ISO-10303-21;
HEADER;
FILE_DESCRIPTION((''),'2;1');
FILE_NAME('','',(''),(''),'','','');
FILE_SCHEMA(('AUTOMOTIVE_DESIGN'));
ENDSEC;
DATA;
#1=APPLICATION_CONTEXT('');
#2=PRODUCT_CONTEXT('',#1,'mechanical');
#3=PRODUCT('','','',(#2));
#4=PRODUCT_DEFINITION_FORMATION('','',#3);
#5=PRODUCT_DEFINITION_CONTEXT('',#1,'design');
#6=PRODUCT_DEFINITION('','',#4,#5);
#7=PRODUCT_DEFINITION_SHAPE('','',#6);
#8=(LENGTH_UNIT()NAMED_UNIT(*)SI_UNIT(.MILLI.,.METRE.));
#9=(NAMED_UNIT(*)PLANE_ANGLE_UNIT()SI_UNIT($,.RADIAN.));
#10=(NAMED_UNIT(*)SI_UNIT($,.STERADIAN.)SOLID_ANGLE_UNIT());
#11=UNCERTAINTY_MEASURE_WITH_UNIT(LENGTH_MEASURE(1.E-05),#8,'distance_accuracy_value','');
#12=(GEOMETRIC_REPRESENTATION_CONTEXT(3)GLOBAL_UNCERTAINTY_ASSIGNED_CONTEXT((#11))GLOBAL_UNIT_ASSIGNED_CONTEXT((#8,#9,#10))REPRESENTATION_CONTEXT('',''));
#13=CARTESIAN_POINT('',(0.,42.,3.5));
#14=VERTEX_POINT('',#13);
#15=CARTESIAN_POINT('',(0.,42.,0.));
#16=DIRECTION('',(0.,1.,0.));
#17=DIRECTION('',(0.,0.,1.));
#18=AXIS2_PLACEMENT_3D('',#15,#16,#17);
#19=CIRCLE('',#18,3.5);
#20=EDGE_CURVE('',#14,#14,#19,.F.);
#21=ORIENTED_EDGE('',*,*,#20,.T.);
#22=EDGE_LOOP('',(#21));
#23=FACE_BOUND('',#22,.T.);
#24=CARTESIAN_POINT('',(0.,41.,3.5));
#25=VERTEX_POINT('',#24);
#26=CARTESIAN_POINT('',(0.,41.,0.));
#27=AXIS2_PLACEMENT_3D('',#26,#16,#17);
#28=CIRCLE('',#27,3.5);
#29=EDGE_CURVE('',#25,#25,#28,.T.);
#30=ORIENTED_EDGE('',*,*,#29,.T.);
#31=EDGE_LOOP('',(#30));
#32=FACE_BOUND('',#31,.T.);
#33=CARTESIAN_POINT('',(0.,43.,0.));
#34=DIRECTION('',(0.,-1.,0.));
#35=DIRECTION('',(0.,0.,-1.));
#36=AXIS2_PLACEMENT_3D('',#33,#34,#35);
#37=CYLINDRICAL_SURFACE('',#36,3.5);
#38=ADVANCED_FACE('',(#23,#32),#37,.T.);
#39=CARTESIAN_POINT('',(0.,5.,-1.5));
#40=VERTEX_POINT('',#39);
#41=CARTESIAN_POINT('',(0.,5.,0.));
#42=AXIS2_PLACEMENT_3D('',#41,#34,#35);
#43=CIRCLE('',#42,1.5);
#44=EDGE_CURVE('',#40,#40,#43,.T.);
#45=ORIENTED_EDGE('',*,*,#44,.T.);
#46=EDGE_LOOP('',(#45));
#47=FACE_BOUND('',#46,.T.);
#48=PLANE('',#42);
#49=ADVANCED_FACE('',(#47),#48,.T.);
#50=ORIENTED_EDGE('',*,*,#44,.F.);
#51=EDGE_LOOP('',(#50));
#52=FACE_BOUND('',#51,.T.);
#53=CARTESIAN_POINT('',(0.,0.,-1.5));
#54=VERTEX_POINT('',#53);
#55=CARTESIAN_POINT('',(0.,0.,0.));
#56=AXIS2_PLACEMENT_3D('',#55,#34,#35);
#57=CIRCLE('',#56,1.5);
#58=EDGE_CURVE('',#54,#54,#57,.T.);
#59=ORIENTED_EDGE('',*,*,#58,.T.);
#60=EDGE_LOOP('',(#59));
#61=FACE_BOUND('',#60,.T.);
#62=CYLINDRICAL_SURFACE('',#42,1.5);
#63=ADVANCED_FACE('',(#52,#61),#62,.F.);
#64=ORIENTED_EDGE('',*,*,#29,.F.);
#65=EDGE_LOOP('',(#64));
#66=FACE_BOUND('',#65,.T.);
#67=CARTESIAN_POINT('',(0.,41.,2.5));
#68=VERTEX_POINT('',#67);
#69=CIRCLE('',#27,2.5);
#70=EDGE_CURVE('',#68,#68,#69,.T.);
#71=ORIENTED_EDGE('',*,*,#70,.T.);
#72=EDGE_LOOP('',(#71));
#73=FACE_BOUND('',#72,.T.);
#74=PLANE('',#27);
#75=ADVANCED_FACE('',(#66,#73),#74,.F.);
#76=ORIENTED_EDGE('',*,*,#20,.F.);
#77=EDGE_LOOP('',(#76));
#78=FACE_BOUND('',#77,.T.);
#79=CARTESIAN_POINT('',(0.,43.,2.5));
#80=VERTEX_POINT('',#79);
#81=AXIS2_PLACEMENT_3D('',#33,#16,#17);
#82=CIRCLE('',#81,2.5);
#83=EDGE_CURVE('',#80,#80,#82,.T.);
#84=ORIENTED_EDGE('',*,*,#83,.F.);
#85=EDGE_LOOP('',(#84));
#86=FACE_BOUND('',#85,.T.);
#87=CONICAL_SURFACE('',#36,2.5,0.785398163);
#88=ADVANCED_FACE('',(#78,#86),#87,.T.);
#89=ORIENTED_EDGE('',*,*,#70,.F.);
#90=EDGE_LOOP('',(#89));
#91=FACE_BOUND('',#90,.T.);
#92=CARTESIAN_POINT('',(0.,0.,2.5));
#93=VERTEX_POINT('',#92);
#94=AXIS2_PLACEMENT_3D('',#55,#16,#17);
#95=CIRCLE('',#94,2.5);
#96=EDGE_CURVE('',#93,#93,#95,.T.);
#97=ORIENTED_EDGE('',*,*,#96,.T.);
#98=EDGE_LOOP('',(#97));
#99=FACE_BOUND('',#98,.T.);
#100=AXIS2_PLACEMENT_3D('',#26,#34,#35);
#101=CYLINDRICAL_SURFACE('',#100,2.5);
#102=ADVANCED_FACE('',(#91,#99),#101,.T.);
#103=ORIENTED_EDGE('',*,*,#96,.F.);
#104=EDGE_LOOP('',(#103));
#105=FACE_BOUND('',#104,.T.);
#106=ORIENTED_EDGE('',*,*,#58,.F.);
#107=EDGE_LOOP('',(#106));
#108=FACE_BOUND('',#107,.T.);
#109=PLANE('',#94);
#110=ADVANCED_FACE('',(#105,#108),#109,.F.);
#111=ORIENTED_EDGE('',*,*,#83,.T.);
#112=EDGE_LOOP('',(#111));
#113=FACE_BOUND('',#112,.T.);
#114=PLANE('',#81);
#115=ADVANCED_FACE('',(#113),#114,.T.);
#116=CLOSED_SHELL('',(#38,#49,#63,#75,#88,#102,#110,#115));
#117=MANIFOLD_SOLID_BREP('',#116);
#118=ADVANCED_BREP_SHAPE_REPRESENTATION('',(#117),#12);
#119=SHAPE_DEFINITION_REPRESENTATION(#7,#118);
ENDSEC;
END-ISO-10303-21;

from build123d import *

# Parameters (mm, degrees)
SKETCH1_R           = 2.5
BOSS_EXTRUDE1_DEPTH = 41
SKETCH2_R           = 3.5
BOSS_EXTRUDE2_DEPTH = 2
CHAMFER1_SIZE       = 1
SKETCH3_R           = 1.5
CUT_EXTRUDE1_DEPTH  = 5


with BuildPart() as part:
    # Sketch1 → Boss-Extrude1 (new body)
    with BuildSketch(Plane(origin=(0, 0, 0), x_dir=(1, 0, 0), z_dir=(0, 1, 0))):
        Circle(SKETCH1_R)
    extrude(amount=BOSS_EXTRUDE1_DEPTH)

    # Sketch2 → Boss-Extrude2 (add)
    with BuildSketch(Plane(origin=(0, 41, 0), x_dir=(1, 0, 0), z_dir=(0, 1, 0))):
        Circle(SKETCH2_R)
    extrude(amount=BOSS_EXTRUDE2_DEPTH)

    # Chamfer1
    chamfer1_edges = [part.edges().sort_by_distance(p)[0] for p in [
        (-3.5, 43, 0),
    ]]
    chamfer(chamfer1_edges, length=CHAMFER1_SIZE)

    # Sketch3 → Cut-Extrude1 (cut)
    with BuildSketch(Plane.XZ):
        Circle(SKETCH3_R)
    extrude(amount=-CUT_EXTRUDE1_DEPTH, mode=Mode.SUBTRACT)


solid = part.part
